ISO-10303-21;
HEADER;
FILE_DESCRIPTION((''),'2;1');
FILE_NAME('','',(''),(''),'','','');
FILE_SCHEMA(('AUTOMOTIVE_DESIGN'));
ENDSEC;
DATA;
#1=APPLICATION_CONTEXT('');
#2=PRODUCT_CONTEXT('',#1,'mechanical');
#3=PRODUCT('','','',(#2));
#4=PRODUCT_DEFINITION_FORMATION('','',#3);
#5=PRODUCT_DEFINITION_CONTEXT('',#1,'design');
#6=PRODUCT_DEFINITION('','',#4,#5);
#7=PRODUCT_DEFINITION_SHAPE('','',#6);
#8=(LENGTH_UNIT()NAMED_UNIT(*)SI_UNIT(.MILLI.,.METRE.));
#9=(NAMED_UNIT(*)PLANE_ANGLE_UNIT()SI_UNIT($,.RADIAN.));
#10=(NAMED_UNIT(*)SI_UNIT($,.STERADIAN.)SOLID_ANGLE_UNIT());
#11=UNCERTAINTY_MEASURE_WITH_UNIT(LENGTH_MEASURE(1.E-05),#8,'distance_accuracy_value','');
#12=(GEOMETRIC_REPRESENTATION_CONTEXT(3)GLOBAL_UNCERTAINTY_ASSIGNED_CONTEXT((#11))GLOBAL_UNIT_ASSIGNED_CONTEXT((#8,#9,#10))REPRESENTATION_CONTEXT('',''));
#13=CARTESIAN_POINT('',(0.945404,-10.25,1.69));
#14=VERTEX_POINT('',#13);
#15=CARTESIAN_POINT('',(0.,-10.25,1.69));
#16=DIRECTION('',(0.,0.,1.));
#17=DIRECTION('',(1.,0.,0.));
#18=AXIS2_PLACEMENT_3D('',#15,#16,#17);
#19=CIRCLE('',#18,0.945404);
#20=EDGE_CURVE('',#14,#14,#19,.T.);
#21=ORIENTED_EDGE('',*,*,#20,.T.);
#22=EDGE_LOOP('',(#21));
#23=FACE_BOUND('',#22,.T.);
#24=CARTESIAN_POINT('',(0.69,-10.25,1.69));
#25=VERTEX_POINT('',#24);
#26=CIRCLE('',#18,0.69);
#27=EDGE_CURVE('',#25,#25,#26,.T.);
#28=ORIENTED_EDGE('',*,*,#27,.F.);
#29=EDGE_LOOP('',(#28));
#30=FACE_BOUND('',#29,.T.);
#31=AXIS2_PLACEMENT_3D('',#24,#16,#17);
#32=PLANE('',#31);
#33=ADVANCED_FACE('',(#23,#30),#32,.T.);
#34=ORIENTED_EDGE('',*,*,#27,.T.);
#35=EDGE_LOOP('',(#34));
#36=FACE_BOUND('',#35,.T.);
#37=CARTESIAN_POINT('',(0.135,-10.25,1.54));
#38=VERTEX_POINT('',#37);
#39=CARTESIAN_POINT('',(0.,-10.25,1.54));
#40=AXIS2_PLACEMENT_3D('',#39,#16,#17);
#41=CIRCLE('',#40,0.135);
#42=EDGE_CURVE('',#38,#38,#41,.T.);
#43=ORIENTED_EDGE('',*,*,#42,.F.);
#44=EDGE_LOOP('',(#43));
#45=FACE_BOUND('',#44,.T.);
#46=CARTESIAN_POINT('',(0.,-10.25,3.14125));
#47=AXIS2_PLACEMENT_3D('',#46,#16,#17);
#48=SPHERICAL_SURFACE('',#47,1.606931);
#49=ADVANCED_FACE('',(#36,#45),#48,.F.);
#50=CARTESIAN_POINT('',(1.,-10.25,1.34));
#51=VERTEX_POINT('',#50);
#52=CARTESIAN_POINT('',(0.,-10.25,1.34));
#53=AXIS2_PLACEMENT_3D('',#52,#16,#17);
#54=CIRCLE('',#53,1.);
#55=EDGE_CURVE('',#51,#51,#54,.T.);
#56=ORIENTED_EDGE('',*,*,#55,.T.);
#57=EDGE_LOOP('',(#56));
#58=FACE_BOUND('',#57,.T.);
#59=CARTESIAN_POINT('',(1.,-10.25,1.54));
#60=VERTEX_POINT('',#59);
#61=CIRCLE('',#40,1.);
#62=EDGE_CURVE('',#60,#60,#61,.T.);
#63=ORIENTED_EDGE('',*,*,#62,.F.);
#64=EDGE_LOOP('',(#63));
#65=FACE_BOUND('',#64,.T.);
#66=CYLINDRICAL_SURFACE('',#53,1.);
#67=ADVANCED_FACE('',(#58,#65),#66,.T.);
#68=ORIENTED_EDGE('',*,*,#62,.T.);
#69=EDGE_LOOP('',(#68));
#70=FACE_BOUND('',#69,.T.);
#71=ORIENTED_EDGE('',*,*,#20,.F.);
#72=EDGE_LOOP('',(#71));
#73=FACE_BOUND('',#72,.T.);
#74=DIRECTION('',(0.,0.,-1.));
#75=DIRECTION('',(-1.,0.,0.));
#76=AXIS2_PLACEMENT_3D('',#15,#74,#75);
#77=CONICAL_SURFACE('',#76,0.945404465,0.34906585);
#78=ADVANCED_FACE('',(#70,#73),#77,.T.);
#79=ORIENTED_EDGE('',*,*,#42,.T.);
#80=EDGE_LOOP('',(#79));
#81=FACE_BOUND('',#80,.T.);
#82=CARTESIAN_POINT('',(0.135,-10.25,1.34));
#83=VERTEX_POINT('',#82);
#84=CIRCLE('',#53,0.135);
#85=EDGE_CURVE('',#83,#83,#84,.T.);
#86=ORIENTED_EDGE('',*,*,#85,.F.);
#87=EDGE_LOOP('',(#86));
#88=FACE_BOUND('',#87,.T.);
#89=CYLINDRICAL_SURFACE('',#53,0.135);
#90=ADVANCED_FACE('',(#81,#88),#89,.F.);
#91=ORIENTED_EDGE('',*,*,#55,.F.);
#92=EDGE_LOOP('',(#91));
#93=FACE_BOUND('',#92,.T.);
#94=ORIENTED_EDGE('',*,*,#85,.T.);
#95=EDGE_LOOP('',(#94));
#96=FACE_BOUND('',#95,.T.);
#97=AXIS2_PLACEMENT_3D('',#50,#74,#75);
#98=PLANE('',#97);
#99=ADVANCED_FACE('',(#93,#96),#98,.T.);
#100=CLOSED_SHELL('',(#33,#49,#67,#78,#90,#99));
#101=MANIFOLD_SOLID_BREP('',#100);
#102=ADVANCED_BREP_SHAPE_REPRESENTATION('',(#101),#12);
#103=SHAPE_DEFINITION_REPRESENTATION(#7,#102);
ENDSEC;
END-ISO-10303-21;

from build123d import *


with BuildPart() as part:
    # Sketch1 → Revolve1 (revolve)
    with BuildSketch(Plane(origin=(0, -10.25, 0), x_dir=(1, 0, 0), z_dir=(0, 1, 0))):
        with BuildLine():
            Line((1, -1.54), (1, -1.34))
            Line((1, -1.34), (0.135, -1.34))
            Line((0.135, -1.34), (0.135, -1.54))
            ThreePointArc((0.135, -1.54), (0.419262746, -1.589977841), (0.69, -1.69))
            Line((0.69, -1.69), (0.945404465, -1.69))
            Line((0.945404465, -1.69), (1, -1.54))
        make_face()
    revolve(axis=Axis((0, -10.25, 1.34), (0, 0, 1)))


solid = part.part
